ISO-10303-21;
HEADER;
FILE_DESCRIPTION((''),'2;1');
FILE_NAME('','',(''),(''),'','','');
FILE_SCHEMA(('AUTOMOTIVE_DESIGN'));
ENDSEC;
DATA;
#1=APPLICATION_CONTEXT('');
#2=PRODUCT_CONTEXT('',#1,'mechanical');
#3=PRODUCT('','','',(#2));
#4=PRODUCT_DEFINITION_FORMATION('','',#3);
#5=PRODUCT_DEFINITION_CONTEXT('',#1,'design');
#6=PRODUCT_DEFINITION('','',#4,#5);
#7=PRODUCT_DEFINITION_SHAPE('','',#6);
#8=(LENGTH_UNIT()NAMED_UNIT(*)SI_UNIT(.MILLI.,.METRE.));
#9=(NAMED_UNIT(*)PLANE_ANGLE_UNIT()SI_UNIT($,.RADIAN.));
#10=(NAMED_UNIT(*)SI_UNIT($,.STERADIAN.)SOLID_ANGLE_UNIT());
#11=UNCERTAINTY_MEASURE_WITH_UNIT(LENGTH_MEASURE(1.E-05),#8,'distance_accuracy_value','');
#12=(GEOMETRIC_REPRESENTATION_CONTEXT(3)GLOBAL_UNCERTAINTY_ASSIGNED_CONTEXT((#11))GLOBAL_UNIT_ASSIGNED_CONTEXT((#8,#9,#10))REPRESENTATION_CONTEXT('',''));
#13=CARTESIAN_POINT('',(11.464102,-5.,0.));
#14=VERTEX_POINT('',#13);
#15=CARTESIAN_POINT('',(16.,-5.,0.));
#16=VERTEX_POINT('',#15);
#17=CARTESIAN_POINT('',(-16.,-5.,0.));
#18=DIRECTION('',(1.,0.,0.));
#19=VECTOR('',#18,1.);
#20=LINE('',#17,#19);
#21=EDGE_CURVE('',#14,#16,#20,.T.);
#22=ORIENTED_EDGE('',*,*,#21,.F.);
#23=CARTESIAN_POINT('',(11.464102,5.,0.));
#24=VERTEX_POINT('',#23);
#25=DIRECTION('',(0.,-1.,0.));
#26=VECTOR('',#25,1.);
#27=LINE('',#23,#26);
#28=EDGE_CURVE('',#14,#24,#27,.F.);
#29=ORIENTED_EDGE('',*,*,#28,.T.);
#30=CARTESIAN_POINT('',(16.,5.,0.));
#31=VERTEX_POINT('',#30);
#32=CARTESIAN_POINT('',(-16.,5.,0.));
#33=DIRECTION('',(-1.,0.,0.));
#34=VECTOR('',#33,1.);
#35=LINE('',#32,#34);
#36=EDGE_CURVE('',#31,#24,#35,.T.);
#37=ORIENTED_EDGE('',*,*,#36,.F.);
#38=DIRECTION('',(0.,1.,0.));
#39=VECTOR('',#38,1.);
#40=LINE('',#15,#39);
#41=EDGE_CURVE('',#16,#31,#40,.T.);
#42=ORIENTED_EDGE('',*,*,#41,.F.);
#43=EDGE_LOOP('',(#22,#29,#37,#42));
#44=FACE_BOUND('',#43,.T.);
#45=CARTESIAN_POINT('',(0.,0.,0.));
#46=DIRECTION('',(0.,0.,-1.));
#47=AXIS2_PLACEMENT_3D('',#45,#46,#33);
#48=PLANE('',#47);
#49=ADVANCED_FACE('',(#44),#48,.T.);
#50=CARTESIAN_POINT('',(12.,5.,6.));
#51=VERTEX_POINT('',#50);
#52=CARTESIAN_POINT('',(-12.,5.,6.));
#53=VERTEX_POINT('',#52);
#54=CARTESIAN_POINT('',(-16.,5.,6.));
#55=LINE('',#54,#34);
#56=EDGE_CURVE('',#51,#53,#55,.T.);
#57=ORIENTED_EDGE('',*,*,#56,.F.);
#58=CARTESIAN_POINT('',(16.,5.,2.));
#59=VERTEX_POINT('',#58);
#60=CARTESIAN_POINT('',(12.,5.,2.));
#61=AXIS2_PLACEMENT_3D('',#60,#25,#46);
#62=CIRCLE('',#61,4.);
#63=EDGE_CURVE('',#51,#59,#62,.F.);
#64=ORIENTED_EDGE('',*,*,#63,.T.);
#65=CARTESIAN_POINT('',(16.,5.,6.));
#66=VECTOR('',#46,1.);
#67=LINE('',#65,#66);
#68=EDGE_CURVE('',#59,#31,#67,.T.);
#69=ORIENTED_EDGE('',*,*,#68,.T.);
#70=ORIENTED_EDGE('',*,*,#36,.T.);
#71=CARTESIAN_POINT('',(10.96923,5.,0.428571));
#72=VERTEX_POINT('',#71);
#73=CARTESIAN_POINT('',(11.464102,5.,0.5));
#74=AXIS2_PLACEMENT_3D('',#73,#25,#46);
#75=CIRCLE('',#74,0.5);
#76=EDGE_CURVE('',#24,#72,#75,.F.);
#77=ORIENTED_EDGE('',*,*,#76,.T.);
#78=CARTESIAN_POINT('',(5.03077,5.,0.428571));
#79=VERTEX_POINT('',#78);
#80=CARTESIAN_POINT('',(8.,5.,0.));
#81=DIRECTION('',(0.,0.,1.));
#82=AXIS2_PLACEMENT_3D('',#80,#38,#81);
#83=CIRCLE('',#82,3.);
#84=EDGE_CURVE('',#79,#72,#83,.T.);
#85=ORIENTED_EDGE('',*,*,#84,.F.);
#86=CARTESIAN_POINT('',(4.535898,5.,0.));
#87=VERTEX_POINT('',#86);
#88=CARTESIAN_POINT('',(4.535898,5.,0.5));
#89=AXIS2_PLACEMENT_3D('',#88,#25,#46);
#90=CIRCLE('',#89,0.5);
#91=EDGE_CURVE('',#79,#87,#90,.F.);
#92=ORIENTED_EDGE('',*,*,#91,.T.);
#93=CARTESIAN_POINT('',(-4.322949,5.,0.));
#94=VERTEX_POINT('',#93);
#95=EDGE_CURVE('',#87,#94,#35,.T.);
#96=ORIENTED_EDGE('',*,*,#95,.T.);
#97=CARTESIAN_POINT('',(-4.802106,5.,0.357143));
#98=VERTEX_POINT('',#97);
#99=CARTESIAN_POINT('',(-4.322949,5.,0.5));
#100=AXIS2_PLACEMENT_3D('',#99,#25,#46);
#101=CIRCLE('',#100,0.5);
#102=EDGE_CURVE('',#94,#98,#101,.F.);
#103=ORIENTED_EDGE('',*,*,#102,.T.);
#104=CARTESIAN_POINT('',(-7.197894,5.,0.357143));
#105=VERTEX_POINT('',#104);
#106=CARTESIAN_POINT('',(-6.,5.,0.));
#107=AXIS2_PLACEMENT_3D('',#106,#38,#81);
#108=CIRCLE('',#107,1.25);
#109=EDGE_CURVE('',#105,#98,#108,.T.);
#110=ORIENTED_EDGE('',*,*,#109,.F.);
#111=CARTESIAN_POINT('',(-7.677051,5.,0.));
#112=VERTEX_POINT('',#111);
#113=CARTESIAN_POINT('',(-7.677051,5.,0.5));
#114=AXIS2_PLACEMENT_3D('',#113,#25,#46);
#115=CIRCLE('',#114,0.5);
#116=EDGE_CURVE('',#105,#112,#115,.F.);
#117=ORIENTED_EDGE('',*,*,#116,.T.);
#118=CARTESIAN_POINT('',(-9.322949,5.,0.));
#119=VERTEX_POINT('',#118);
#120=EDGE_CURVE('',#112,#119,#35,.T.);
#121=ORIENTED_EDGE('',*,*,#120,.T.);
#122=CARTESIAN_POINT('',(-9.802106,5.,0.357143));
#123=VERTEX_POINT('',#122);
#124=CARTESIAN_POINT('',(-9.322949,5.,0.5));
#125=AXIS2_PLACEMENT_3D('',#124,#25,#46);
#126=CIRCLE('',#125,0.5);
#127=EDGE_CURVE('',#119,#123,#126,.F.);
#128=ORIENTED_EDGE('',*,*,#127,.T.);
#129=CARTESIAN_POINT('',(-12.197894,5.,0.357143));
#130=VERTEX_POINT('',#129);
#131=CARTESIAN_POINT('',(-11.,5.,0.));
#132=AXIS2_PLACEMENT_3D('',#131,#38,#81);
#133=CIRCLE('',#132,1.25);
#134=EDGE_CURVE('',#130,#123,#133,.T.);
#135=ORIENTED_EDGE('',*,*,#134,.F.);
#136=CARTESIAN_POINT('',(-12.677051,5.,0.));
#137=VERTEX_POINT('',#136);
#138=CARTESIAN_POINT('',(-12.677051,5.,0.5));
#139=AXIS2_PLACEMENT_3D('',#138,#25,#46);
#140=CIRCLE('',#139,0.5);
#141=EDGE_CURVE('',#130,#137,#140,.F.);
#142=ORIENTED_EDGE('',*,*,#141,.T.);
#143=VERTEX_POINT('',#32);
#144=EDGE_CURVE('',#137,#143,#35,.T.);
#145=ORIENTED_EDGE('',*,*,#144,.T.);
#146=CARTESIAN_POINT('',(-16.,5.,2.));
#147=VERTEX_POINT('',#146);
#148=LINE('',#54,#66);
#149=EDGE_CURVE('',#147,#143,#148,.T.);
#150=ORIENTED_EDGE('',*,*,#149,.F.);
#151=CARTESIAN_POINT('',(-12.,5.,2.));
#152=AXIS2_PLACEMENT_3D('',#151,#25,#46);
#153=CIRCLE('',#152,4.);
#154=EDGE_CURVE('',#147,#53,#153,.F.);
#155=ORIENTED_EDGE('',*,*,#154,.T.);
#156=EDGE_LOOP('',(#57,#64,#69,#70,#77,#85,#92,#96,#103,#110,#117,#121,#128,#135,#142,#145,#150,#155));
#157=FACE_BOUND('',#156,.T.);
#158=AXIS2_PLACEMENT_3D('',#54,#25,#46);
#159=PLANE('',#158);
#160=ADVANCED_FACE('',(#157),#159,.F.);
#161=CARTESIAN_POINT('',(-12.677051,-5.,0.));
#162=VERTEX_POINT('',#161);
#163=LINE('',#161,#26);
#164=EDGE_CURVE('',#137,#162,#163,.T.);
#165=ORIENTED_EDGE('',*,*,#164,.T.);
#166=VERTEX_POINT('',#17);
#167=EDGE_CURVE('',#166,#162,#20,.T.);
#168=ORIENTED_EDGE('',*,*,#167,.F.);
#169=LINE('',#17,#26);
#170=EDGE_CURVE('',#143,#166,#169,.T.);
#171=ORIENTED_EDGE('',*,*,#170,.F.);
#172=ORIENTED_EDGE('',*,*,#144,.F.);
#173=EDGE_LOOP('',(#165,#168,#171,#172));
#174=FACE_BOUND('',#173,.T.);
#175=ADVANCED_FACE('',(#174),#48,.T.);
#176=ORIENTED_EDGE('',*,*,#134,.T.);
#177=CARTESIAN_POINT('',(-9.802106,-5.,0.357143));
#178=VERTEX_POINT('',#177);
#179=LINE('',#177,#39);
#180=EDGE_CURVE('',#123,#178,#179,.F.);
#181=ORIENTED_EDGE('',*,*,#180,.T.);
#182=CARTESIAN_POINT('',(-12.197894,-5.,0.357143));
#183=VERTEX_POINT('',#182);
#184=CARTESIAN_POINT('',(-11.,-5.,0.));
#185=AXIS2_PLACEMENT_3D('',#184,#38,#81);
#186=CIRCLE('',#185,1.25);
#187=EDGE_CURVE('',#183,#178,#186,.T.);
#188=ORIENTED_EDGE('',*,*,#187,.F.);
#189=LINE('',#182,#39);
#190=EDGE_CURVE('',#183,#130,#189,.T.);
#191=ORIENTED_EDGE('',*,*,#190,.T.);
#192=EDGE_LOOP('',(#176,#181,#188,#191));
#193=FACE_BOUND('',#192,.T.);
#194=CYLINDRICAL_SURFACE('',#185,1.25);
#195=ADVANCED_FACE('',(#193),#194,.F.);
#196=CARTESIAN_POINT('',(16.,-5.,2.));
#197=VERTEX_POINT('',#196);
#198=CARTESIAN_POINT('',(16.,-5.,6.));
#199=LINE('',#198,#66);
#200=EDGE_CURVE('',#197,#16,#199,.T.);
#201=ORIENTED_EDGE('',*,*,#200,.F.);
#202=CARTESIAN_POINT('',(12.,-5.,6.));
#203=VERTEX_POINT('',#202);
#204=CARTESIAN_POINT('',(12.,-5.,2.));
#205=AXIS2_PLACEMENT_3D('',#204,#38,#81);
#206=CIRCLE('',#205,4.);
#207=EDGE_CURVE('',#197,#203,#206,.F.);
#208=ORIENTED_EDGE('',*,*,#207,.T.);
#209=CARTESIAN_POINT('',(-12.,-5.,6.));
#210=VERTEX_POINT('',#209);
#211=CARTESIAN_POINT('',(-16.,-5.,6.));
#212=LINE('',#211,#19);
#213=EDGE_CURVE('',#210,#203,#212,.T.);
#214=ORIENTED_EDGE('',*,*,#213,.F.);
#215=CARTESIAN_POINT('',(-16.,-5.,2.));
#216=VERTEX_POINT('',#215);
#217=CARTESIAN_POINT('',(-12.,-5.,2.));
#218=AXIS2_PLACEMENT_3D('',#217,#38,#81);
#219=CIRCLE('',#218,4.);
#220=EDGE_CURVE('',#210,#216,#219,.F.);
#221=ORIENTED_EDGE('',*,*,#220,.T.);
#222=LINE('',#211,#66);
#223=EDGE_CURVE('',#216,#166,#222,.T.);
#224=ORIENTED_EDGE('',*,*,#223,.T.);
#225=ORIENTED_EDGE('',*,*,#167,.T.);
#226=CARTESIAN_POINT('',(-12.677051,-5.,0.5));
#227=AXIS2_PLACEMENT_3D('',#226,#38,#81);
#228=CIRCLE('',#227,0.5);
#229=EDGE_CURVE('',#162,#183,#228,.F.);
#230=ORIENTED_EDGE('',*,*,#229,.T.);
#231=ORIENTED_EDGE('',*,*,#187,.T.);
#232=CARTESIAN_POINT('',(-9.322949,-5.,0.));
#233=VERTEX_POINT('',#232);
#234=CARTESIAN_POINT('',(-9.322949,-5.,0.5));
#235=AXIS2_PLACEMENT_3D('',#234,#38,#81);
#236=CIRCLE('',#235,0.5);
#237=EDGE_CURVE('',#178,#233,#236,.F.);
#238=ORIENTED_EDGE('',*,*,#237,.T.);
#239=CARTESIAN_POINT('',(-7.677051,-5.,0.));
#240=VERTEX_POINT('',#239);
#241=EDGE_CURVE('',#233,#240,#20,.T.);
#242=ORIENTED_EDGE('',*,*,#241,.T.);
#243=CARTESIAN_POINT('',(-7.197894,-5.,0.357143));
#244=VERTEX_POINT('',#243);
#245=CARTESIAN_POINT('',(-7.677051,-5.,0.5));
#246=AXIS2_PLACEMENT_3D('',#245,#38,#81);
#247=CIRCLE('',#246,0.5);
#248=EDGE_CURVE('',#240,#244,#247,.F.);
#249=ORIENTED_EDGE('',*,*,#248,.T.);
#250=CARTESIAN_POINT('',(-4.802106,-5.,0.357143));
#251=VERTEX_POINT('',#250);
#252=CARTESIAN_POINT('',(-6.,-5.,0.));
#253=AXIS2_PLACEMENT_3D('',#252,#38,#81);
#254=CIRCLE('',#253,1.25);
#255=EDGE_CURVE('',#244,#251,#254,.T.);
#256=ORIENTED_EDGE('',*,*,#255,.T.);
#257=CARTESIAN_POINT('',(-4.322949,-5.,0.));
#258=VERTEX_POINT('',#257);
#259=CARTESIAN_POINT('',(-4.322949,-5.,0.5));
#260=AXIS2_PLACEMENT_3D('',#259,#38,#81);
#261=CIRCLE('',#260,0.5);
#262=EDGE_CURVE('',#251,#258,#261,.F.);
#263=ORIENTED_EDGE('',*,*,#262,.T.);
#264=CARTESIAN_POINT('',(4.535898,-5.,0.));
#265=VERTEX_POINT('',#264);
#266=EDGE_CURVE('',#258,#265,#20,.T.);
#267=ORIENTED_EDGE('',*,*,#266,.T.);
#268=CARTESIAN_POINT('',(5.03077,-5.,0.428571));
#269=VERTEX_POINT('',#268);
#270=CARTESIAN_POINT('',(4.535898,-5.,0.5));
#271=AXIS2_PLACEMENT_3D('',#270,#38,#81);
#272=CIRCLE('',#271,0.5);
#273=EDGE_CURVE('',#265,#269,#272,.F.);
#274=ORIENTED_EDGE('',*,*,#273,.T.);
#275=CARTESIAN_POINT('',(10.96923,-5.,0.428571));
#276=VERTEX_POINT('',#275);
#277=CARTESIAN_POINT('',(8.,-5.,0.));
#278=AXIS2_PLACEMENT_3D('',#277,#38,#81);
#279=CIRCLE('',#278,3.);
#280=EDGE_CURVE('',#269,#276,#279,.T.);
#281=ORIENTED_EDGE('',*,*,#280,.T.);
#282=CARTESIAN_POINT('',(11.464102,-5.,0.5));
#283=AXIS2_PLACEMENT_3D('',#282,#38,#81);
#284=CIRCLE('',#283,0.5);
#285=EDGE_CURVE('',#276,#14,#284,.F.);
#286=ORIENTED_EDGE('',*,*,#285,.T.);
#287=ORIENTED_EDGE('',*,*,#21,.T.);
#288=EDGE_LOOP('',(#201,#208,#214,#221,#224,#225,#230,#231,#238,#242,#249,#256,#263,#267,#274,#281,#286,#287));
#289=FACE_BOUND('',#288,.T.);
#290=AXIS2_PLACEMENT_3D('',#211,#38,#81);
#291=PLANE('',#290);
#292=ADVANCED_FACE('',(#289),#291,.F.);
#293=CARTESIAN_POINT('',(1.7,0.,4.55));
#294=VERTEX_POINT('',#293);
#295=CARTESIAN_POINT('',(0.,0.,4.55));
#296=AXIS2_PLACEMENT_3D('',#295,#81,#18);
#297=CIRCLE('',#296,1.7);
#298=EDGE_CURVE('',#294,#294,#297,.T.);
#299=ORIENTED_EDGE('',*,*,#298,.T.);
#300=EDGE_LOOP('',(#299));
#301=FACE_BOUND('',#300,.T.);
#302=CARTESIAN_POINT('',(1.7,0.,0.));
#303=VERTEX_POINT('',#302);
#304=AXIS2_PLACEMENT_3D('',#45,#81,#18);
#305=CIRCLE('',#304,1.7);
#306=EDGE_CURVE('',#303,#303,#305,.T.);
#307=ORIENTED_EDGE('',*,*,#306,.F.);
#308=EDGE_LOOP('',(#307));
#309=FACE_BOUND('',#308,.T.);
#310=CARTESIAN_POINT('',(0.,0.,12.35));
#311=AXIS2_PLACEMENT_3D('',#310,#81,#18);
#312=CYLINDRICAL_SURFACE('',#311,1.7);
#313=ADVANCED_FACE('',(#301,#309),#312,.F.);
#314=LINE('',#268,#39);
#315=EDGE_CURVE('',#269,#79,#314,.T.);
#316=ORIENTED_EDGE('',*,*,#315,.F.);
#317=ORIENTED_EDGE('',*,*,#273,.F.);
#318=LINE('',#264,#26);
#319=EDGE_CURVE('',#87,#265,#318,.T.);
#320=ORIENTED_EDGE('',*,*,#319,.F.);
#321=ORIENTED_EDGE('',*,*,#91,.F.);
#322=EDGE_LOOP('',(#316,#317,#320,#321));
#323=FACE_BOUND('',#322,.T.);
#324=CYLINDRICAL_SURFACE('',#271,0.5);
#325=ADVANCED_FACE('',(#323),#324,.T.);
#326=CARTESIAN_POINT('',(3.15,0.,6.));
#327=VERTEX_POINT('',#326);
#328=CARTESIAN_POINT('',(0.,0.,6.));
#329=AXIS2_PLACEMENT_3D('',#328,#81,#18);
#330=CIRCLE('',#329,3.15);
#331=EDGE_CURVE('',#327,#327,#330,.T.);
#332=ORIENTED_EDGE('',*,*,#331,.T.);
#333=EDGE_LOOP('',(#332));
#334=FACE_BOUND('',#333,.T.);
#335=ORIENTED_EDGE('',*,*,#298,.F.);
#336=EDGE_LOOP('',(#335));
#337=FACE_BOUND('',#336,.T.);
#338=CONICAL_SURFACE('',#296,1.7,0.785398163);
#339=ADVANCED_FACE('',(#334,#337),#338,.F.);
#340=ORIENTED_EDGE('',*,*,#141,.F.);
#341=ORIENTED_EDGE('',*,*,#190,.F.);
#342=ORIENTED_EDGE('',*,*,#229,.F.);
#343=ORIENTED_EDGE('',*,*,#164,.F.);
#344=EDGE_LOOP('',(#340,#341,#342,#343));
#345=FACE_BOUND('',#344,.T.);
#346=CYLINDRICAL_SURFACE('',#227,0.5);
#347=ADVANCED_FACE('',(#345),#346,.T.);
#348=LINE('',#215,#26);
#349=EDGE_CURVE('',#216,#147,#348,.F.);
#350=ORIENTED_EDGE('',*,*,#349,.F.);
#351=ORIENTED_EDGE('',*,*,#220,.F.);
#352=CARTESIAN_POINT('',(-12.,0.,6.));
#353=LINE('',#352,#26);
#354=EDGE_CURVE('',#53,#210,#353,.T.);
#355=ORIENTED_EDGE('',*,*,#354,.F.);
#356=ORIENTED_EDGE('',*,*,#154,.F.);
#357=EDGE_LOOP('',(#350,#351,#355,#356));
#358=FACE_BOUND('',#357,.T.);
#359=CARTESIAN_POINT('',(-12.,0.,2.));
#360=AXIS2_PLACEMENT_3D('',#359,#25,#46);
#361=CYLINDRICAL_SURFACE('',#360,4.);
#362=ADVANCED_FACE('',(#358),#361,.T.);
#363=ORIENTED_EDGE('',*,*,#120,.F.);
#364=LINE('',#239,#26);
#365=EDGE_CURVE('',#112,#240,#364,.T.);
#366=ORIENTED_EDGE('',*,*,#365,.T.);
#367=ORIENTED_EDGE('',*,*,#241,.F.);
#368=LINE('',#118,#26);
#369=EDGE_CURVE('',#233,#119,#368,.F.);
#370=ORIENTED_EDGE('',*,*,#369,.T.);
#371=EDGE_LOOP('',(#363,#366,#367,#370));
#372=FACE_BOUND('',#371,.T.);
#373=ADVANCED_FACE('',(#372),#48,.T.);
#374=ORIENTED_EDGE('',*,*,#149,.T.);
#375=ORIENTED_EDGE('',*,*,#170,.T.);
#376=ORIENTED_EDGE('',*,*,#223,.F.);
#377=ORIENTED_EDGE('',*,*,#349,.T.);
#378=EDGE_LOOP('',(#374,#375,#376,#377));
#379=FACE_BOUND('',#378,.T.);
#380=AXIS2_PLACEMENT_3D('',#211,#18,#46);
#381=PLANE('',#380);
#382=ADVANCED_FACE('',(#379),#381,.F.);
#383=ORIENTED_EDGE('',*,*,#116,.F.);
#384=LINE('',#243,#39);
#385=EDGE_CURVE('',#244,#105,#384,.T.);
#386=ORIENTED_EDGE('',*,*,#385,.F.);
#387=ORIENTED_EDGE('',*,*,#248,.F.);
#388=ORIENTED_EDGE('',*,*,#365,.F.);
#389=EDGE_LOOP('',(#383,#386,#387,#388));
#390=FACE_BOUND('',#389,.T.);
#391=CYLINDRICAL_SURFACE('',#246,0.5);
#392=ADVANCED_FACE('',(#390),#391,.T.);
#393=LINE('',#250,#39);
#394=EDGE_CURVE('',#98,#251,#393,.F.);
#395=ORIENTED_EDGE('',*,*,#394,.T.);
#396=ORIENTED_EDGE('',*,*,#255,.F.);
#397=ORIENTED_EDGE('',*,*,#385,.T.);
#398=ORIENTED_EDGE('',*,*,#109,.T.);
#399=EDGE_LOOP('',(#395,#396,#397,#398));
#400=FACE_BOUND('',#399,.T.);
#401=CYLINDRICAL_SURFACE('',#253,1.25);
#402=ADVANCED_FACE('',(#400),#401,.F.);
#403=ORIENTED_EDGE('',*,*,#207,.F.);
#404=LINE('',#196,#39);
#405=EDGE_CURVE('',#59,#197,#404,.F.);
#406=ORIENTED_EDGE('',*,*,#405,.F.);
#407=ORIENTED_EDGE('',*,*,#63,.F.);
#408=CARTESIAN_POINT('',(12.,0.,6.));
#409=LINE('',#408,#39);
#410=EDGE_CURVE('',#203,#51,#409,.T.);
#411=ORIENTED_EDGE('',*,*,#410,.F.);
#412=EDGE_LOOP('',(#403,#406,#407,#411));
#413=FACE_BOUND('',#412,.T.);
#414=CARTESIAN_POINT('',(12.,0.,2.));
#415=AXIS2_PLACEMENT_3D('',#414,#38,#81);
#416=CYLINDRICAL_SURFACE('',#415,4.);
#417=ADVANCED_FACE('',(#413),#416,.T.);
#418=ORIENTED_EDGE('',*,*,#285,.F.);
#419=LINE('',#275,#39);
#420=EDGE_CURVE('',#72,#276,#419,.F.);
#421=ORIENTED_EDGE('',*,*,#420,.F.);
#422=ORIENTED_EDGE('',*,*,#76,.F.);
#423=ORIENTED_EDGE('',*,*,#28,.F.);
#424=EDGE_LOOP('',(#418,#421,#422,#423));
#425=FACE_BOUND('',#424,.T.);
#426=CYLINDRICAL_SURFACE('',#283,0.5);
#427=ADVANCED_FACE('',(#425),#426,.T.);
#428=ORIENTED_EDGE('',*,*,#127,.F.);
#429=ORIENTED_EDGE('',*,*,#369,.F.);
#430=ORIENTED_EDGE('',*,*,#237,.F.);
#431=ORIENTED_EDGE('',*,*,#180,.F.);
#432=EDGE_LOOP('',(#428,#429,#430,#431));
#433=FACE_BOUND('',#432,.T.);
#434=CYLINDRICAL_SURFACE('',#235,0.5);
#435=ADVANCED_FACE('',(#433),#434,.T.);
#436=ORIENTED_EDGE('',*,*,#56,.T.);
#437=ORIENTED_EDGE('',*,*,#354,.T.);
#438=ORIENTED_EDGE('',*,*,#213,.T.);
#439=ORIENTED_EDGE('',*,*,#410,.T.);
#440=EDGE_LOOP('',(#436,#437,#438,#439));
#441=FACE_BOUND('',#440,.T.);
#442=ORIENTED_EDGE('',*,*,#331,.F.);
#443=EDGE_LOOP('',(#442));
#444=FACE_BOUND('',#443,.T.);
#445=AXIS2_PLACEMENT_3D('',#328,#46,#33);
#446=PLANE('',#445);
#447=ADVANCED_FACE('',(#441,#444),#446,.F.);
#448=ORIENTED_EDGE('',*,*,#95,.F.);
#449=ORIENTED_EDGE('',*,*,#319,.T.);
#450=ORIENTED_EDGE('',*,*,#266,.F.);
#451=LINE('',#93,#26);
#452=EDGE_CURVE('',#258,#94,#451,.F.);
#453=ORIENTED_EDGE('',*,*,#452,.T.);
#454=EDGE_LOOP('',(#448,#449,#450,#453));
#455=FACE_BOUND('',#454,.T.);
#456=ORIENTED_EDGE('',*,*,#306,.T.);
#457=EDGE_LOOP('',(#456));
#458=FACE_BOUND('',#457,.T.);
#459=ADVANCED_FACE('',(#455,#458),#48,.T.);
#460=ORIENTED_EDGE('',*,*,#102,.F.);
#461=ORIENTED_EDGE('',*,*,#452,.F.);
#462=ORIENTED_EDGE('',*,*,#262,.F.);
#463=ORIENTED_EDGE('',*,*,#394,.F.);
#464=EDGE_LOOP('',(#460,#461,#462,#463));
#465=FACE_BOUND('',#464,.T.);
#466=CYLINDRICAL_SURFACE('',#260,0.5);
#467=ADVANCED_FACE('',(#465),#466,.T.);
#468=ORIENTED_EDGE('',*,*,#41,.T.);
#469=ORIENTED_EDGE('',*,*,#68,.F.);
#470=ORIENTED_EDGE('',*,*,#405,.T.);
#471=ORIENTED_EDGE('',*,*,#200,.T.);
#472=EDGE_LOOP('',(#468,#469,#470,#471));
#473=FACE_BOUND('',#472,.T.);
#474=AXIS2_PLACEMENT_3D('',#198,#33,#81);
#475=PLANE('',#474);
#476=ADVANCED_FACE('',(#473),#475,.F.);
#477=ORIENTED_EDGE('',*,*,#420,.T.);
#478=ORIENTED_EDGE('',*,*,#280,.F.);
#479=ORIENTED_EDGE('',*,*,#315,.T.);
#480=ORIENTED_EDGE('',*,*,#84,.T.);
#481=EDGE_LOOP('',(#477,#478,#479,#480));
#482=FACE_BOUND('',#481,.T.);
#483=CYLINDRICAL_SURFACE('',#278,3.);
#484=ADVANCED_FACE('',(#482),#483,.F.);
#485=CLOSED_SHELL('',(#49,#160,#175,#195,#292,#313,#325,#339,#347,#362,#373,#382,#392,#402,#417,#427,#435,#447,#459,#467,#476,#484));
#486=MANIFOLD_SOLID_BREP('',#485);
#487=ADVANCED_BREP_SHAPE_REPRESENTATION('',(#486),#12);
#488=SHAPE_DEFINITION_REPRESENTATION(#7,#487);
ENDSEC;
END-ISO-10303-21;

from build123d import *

# Parameters (mm, degrees)
SKETCH1_W               = 32
SKETCH1_H               = 10
BOSS_EXTRUDE1_DEPTH     = 6
FILLET1_R               = 4
SKETCH3_R               = 1.25
SKETCH3_R_2             = 3
CUT_EXTRUDE1_DEPTH      = 6
CUT_EXTRUDE1_DEPTH_BACK = 6
FILLET2_R               = 0.5


with BuildPart() as part:
    # Sketch1 → Boss-Extrude1 (new body)
    with BuildSketch(Plane.XY):
        Rectangle(SKETCH1_W, SKETCH1_H)
    extrude(amount=BOSS_EXTRUDE1_DEPTH)

    # Fillet1
    fillet1_edges = [part.edges().sort_by_distance(p)[0] for p in [
        (-16, 0, 6),
        (16, 0, 6),
    ]]
    fillet(fillet1_edges, radius=FILLET1_R)

    # Sketch2 → Cut-Revolve1 (revolve, cut)
    with BuildSketch(Plane(origin=(0, 0, 0), x_dir=(1, 0, 0), z_dir=(0, 1, 0))):
        Polygon((3.15, -6), (0, -6), (0, 0), (1.7, 0), (1.7, -4.55), align=None)
    revolve(axis=Axis((0, 0, 12.35), (0, 0, -1)), mode=Mode.SUBTRACT)

    # Sketch3 → Cut-Extrude1 (cut, two sides)
    with BuildSketch(Plane(origin=(0, 0, 0), x_dir=(1, 0, 0), z_dir=(0, 1, 0))) as cut_extrude1_sk:
        with Locations((-11, 0)):
            Circle(SKETCH3_R)
        with Locations((-6, 0)):
            Circle(SKETCH3_R)
        with Locations((8, 0)):
            Circle(SKETCH3_R_2)
    extrude(amount=CUT_EXTRUDE1_DEPTH, mode=Mode.SUBTRACT)
    extrude(cut_extrude1_sk.sketch, amount=-CUT_EXTRUDE1_DEPTH_BACK, mode=Mode.SUBTRACT)

    # Fillet2
    fillet2_edges = [part.edges().sort_by_distance(p)[0] for p in [
        (11, 0, 0),
        (5, 0, 0),
        (-4.75, 0, 0),
        (-7.25, 0, 0),
        (-9.75, 0, 0),
        (-12.25, 0, 0),
    ]]
    fillet(fillet2_edges, radius=FILLET2_R)


solid = part.part
